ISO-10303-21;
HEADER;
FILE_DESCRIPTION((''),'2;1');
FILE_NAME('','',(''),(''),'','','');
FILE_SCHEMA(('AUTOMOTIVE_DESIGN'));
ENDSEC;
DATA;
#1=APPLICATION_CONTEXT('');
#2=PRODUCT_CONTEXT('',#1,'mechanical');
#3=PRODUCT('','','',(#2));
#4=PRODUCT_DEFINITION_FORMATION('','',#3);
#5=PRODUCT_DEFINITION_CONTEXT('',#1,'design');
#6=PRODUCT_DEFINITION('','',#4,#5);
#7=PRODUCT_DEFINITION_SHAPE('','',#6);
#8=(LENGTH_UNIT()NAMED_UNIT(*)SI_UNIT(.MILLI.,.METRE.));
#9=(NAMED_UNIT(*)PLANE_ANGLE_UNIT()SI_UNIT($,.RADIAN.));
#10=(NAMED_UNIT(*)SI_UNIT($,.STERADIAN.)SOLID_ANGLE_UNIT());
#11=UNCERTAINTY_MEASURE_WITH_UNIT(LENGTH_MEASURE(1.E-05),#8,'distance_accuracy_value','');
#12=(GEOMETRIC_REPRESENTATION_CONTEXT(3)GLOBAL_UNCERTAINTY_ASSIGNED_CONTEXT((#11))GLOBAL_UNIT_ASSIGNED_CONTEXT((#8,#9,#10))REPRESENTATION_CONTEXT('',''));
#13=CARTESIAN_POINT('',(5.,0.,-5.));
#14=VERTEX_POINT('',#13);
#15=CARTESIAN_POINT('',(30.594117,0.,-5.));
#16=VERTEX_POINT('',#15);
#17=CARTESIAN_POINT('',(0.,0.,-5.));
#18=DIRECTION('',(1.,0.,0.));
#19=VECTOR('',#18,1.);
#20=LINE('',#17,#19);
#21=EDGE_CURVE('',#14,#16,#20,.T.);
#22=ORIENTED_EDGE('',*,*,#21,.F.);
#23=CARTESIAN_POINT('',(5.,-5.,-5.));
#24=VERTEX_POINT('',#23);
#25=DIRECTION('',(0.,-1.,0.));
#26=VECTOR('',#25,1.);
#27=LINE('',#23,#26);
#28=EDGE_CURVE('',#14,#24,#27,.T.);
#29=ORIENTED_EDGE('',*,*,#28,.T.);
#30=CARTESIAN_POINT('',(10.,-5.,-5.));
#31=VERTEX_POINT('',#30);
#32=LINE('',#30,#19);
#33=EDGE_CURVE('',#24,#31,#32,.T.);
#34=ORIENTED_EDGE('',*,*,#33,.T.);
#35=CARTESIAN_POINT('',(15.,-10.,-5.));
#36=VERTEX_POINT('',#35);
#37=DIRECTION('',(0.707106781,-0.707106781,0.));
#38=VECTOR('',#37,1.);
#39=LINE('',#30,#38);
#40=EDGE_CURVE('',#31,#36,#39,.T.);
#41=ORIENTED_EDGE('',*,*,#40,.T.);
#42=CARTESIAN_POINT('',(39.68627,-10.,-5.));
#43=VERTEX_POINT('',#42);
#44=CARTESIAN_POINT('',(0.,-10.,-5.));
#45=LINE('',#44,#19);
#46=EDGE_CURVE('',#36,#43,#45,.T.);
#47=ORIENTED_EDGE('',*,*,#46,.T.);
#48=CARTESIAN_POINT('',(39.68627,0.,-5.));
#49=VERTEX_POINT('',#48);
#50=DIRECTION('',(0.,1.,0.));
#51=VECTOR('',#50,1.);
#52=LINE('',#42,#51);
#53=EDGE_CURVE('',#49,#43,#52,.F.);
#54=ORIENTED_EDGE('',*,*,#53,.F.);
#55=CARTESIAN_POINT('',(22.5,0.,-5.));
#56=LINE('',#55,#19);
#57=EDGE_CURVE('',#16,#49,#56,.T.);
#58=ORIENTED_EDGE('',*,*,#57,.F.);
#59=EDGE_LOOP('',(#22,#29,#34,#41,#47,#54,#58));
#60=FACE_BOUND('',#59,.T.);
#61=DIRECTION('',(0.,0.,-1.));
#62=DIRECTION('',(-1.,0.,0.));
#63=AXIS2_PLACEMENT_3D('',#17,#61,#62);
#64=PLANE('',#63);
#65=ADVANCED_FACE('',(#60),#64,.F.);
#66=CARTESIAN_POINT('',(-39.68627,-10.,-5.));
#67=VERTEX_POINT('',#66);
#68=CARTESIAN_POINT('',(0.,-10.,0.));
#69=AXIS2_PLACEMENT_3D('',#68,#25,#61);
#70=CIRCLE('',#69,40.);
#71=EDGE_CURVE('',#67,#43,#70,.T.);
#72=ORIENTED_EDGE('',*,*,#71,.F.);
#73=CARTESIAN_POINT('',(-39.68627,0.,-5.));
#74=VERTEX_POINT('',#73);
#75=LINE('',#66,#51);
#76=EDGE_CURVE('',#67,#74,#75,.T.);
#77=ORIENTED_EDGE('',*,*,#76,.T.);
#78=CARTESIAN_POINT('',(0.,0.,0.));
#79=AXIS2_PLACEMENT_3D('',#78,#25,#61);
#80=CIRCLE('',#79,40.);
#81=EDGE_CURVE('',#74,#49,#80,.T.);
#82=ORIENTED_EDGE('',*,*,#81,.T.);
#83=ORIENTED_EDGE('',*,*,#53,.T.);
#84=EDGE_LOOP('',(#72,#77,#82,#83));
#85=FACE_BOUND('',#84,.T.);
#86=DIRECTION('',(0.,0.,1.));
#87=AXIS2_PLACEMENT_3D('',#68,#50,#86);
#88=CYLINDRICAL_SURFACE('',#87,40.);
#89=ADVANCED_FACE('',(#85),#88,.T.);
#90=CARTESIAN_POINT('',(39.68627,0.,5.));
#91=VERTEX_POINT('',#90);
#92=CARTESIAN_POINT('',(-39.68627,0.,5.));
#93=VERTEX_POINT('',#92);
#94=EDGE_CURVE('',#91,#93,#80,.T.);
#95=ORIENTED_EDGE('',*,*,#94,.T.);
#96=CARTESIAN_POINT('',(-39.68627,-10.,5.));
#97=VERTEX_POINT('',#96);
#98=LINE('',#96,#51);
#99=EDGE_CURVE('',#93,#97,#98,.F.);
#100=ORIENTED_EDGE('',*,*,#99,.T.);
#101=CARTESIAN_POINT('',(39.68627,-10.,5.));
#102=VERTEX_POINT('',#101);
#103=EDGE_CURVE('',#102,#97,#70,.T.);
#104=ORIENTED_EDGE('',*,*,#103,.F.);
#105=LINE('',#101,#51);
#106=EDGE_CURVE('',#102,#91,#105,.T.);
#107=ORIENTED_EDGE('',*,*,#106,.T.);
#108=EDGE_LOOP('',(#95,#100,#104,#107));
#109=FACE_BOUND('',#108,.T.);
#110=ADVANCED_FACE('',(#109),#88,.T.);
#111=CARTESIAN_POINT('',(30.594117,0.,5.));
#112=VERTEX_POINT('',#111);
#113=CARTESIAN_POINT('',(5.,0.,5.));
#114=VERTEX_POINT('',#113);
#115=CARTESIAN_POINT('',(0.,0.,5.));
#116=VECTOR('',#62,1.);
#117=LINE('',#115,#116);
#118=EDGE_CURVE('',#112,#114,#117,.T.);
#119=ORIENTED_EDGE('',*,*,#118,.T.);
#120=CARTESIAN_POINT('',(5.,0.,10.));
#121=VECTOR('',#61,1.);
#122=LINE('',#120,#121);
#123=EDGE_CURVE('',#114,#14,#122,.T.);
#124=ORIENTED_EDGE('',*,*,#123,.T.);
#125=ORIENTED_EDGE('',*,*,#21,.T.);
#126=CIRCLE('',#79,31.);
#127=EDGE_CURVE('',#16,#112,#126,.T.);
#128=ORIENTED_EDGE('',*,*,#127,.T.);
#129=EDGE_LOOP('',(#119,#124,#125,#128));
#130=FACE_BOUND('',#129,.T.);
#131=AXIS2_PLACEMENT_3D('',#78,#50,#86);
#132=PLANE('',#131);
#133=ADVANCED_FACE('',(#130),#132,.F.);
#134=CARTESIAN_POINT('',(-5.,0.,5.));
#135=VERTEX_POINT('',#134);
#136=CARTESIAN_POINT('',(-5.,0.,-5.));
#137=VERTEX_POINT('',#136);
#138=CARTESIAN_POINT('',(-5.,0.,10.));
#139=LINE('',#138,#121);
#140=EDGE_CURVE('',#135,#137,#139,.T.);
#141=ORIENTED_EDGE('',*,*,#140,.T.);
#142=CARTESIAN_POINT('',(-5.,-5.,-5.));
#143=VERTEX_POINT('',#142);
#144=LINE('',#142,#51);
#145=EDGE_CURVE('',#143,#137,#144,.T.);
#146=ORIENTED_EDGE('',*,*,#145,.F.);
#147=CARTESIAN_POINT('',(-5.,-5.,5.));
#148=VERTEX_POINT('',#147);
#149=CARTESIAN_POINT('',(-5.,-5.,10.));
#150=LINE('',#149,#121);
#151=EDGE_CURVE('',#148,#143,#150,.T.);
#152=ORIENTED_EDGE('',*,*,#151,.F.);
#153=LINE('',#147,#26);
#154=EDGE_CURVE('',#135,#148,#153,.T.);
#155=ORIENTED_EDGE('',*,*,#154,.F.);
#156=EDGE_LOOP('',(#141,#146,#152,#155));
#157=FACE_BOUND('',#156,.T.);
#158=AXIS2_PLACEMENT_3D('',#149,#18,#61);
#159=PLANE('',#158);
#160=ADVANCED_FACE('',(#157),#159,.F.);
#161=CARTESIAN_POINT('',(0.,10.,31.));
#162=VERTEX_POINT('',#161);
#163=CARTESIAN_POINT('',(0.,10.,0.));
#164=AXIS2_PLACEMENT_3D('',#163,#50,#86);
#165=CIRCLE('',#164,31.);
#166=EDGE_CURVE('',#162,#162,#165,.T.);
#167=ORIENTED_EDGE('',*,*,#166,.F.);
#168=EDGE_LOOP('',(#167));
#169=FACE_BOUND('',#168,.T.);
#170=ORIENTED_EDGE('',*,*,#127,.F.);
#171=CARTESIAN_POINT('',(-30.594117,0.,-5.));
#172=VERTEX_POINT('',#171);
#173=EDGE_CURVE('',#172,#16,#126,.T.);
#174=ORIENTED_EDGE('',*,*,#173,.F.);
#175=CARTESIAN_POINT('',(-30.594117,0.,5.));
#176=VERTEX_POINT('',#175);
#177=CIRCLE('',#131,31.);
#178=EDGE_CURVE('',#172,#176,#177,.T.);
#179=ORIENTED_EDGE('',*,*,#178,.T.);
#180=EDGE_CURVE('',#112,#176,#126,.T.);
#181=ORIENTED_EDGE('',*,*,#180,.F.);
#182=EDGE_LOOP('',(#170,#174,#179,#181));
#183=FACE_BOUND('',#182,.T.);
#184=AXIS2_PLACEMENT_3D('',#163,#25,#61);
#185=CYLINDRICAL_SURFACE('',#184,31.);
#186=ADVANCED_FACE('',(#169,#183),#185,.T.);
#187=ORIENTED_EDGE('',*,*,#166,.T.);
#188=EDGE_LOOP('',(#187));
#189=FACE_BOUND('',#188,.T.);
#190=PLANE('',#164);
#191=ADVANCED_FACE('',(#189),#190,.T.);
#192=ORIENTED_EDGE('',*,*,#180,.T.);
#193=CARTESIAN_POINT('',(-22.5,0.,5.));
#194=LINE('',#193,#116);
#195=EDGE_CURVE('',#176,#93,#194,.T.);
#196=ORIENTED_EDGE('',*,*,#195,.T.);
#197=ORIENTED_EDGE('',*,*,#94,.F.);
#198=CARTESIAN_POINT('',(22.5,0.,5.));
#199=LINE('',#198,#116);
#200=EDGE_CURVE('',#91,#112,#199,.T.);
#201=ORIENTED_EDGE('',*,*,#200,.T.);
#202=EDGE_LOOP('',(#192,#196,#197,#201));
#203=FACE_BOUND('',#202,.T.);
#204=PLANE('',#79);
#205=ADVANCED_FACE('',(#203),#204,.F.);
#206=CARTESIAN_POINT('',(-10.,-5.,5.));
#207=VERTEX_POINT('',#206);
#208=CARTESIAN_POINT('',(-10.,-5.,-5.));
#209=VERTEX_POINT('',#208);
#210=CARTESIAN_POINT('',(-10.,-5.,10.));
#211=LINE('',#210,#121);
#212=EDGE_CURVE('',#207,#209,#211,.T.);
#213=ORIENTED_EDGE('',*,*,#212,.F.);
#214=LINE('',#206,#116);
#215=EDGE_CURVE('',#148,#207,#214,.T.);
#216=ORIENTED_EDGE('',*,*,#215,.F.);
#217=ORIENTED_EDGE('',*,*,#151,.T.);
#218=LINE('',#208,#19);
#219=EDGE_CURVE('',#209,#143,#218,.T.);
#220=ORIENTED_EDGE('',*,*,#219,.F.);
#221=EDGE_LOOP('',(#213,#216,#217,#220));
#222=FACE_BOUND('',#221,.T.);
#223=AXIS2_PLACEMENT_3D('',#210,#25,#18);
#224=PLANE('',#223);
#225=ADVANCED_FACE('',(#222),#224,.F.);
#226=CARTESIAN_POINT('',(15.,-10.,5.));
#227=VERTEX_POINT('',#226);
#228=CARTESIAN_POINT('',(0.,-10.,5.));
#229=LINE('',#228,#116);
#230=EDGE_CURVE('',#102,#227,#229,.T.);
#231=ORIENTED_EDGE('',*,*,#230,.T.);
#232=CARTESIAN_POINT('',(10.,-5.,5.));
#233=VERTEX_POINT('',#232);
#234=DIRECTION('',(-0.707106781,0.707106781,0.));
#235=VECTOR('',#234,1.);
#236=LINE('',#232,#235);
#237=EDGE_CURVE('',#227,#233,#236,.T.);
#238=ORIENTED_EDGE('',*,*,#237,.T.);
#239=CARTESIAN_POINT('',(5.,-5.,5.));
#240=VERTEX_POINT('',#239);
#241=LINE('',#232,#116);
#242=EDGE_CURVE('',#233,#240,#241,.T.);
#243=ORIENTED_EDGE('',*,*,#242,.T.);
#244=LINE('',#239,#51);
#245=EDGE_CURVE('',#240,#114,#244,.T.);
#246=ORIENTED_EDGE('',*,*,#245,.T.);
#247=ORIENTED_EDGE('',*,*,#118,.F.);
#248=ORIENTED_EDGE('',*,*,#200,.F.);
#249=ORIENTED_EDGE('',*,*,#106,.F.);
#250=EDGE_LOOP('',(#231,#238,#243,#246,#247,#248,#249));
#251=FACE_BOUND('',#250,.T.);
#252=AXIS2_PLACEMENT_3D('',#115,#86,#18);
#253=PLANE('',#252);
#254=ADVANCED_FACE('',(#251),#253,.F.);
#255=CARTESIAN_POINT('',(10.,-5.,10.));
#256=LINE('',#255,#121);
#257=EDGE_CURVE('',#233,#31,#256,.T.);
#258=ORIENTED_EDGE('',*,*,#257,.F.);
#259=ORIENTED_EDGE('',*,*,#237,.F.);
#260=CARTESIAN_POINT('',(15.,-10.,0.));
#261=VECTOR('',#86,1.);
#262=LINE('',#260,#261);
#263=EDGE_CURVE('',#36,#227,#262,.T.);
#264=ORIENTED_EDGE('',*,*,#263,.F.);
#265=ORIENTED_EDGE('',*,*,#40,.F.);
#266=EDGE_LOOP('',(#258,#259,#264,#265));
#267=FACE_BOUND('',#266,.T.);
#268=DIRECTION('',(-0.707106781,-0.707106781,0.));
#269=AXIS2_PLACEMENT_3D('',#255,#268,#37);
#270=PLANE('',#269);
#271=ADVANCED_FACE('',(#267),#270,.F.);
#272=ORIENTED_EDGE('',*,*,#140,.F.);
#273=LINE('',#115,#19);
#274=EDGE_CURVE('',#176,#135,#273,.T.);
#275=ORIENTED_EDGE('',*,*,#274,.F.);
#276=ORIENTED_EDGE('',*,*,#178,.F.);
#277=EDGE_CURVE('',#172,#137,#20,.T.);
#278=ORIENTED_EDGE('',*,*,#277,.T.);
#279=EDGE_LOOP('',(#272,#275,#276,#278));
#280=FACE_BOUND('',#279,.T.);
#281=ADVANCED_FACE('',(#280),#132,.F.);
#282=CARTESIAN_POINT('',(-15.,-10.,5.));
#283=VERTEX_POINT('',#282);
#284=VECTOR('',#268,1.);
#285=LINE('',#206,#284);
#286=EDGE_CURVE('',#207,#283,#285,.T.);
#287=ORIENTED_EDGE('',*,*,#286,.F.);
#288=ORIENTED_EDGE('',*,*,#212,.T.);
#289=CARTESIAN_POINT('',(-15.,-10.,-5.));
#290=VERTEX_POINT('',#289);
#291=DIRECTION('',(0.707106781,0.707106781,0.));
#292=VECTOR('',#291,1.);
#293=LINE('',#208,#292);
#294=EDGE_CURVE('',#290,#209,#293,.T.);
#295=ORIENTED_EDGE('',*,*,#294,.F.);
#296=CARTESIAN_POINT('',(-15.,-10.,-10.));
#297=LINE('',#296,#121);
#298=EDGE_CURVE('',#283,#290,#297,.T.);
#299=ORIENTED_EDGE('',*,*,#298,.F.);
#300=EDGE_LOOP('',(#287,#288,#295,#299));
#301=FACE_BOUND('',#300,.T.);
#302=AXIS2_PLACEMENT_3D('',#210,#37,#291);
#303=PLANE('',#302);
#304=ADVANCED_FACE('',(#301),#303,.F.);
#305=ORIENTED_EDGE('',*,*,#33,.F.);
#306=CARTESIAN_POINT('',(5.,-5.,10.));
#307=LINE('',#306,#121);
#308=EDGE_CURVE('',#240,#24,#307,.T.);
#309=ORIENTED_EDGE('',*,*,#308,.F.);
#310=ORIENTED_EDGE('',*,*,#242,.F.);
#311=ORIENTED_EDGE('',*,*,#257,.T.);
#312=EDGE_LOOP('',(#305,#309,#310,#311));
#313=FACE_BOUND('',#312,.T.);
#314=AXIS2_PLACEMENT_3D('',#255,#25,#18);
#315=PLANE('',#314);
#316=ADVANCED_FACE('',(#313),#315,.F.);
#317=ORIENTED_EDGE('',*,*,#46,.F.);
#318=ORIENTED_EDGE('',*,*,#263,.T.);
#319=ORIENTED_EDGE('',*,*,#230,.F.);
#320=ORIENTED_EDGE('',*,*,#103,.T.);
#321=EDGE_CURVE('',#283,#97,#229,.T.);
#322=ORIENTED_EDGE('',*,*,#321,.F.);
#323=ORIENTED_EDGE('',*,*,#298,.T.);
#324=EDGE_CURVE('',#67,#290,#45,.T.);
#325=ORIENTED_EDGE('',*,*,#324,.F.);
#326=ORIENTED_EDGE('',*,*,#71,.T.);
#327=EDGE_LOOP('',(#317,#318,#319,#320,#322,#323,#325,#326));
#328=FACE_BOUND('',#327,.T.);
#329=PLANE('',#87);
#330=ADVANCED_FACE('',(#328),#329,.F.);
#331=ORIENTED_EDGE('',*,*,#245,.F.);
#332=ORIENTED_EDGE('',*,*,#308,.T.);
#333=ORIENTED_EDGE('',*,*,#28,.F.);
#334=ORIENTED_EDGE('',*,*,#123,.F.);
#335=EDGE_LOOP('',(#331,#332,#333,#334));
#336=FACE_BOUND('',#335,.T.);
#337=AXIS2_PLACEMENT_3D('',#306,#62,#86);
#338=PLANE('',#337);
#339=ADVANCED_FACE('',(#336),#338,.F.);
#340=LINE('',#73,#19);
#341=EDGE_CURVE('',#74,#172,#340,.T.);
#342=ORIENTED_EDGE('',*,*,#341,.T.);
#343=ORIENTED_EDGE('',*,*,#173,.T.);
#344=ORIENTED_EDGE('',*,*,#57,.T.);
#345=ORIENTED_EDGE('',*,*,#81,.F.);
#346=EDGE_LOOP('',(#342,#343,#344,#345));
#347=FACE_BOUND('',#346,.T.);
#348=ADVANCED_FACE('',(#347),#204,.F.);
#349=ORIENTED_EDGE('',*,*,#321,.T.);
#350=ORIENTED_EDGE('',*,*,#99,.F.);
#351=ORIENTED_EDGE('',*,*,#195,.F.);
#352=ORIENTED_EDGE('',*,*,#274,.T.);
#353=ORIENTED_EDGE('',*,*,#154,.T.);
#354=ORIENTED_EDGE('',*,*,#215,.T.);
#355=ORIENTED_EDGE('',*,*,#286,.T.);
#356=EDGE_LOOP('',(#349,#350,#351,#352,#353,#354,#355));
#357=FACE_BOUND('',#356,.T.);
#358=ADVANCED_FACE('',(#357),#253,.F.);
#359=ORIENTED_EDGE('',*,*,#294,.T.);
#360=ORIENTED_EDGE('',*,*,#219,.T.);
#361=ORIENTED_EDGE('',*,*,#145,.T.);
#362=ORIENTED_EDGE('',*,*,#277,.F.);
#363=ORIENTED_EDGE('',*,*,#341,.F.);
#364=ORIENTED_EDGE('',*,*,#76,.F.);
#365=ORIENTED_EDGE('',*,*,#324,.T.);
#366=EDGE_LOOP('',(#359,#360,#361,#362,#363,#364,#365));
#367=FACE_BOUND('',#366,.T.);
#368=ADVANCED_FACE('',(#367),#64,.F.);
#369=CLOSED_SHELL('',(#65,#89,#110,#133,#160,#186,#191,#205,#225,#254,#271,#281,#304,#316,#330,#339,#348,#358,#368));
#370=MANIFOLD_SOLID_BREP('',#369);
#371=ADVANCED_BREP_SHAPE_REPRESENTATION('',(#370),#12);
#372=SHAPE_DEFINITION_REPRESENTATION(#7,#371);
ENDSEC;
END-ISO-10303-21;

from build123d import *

# Parameters (mm, degrees)
SKETCH1_R           = 31
BOSS_EXTRUDE1_DEPTH = 10
BOSS_EXTRUDE3_DEPTH = 10
CUT_EXTRUDE2_DEPTH  = 20
SKETCH8_R           = 40
BOSS_EXTRUDE4_DEPTH = 10
SKETCH9_W           = 7.5
SKETCH9_H           = 5
BOSS_EXTRUDE5_DEPTH = 10
CUT_EXTRUDE3_DEPTH  = 10


with BuildPart() as part:
    # Sketch1 → Boss-Extrude1 (new body)
    with BuildSketch(Plane(origin=(0, 0, 0), x_dir=(1, 0, 0), z_dir=(0, 1, 0))):
        with Locations(Location((0, 0, 0), (0, 0, 270))):
            Circle(SKETCH1_R)
    extrude(amount=BOSS_EXTRUDE1_DEPTH)

    # Sketch6 → Boss-Extrude3 (add)
    with BuildSketch(Plane(origin=(0, 0, 0), x_dir=(-1, 0, 0), z_dir=(0, -1, 0))):
        Polygon((15, 0), (15, -10), (-15, -10), (-15, 0), (-15, 10), (15, 10), align=None)
    extrude(amount=BOSS_EXTRUDE3_DEPTH)

    # Sketch7 → Cut-Extrude2 (cut)
    with BuildSketch(Plane(origin=(0, 0, -10), x_dir=(-1, 0, 0), z_dir=(0, 0, -1))):
        Polygon((10, -5), (5, -5), (5, 0), (15, 0), (15, -10), align=None)
        Polygon((-5, 0), (-15, 0), (-15, -10), (-10, -5), (-5, -5), align=None)
    extrude(amount=-CUT_EXTRUDE2_DEPTH, mode=Mode.SUBTRACT)

    # Sketch8 → Boss-Extrude4 (add)
    with BuildSketch(Plane.XZ):
        with Locations(Location((0, 0, 0), (0, 0, 270))):
            Circle(SKETCH8_R)
        Polygon((15, -10), (22.5, -10), (22.5, 10), (15, 10), (-15, 10), (-22.5, 10), (-22.5, -10), (-15, -10), align=None, mode=Mode.SUBTRACT)
    extrude(amount=BOSS_EXTRUDE4_DEPTH)

    # Sketch9 → Boss-Extrude5 (add)
    with BuildSketch(Plane.XZ.offset(10)):
        with Locations((-18.75, 7.5)):
            Rectangle(SKETCH9_W, SKETCH9_H)
        with Locations((18.75, 7.5)):
            Rectangle(SKETCH9_W, SKETCH9_H)
        with Locations((18.75, -7.5)):
            Rectangle(SKETCH9_W, SKETCH9_H)
        with Locations((-18.75, -7.5)):
            Rectangle(SKETCH9_W, SKETCH9_H)
        Polygon((-15, 5), (0, 5), (15, 5), (15, 10), (-15, 10), align=None)
        Polygon((15, -10), (15, -5), (0, -5), (-15, -5), (-15, -10), align=None)
    extrude(amount=-BOSS_EXTRUDE5_DEPTH)

    # Sketch10 → Cut-Extrude3 (cut)
    with BuildSketch(Plane.XZ.offset(10)):
        Polygon((-22.5, -5), (-39.686269666, -5), (-48.180542602, -5), (-48.180542602, 5), (-22.5, 5), align=None)
        Polygon((22.5, 5), (48.180542602, 5), (48.180542602, -5), (39.686269666, -5), (22.5, -5), align=None)
    extrude(amount=-CUT_EXTRUDE3_DEPTH, mode=Mode.SUBTRACT)


solid = part.part
